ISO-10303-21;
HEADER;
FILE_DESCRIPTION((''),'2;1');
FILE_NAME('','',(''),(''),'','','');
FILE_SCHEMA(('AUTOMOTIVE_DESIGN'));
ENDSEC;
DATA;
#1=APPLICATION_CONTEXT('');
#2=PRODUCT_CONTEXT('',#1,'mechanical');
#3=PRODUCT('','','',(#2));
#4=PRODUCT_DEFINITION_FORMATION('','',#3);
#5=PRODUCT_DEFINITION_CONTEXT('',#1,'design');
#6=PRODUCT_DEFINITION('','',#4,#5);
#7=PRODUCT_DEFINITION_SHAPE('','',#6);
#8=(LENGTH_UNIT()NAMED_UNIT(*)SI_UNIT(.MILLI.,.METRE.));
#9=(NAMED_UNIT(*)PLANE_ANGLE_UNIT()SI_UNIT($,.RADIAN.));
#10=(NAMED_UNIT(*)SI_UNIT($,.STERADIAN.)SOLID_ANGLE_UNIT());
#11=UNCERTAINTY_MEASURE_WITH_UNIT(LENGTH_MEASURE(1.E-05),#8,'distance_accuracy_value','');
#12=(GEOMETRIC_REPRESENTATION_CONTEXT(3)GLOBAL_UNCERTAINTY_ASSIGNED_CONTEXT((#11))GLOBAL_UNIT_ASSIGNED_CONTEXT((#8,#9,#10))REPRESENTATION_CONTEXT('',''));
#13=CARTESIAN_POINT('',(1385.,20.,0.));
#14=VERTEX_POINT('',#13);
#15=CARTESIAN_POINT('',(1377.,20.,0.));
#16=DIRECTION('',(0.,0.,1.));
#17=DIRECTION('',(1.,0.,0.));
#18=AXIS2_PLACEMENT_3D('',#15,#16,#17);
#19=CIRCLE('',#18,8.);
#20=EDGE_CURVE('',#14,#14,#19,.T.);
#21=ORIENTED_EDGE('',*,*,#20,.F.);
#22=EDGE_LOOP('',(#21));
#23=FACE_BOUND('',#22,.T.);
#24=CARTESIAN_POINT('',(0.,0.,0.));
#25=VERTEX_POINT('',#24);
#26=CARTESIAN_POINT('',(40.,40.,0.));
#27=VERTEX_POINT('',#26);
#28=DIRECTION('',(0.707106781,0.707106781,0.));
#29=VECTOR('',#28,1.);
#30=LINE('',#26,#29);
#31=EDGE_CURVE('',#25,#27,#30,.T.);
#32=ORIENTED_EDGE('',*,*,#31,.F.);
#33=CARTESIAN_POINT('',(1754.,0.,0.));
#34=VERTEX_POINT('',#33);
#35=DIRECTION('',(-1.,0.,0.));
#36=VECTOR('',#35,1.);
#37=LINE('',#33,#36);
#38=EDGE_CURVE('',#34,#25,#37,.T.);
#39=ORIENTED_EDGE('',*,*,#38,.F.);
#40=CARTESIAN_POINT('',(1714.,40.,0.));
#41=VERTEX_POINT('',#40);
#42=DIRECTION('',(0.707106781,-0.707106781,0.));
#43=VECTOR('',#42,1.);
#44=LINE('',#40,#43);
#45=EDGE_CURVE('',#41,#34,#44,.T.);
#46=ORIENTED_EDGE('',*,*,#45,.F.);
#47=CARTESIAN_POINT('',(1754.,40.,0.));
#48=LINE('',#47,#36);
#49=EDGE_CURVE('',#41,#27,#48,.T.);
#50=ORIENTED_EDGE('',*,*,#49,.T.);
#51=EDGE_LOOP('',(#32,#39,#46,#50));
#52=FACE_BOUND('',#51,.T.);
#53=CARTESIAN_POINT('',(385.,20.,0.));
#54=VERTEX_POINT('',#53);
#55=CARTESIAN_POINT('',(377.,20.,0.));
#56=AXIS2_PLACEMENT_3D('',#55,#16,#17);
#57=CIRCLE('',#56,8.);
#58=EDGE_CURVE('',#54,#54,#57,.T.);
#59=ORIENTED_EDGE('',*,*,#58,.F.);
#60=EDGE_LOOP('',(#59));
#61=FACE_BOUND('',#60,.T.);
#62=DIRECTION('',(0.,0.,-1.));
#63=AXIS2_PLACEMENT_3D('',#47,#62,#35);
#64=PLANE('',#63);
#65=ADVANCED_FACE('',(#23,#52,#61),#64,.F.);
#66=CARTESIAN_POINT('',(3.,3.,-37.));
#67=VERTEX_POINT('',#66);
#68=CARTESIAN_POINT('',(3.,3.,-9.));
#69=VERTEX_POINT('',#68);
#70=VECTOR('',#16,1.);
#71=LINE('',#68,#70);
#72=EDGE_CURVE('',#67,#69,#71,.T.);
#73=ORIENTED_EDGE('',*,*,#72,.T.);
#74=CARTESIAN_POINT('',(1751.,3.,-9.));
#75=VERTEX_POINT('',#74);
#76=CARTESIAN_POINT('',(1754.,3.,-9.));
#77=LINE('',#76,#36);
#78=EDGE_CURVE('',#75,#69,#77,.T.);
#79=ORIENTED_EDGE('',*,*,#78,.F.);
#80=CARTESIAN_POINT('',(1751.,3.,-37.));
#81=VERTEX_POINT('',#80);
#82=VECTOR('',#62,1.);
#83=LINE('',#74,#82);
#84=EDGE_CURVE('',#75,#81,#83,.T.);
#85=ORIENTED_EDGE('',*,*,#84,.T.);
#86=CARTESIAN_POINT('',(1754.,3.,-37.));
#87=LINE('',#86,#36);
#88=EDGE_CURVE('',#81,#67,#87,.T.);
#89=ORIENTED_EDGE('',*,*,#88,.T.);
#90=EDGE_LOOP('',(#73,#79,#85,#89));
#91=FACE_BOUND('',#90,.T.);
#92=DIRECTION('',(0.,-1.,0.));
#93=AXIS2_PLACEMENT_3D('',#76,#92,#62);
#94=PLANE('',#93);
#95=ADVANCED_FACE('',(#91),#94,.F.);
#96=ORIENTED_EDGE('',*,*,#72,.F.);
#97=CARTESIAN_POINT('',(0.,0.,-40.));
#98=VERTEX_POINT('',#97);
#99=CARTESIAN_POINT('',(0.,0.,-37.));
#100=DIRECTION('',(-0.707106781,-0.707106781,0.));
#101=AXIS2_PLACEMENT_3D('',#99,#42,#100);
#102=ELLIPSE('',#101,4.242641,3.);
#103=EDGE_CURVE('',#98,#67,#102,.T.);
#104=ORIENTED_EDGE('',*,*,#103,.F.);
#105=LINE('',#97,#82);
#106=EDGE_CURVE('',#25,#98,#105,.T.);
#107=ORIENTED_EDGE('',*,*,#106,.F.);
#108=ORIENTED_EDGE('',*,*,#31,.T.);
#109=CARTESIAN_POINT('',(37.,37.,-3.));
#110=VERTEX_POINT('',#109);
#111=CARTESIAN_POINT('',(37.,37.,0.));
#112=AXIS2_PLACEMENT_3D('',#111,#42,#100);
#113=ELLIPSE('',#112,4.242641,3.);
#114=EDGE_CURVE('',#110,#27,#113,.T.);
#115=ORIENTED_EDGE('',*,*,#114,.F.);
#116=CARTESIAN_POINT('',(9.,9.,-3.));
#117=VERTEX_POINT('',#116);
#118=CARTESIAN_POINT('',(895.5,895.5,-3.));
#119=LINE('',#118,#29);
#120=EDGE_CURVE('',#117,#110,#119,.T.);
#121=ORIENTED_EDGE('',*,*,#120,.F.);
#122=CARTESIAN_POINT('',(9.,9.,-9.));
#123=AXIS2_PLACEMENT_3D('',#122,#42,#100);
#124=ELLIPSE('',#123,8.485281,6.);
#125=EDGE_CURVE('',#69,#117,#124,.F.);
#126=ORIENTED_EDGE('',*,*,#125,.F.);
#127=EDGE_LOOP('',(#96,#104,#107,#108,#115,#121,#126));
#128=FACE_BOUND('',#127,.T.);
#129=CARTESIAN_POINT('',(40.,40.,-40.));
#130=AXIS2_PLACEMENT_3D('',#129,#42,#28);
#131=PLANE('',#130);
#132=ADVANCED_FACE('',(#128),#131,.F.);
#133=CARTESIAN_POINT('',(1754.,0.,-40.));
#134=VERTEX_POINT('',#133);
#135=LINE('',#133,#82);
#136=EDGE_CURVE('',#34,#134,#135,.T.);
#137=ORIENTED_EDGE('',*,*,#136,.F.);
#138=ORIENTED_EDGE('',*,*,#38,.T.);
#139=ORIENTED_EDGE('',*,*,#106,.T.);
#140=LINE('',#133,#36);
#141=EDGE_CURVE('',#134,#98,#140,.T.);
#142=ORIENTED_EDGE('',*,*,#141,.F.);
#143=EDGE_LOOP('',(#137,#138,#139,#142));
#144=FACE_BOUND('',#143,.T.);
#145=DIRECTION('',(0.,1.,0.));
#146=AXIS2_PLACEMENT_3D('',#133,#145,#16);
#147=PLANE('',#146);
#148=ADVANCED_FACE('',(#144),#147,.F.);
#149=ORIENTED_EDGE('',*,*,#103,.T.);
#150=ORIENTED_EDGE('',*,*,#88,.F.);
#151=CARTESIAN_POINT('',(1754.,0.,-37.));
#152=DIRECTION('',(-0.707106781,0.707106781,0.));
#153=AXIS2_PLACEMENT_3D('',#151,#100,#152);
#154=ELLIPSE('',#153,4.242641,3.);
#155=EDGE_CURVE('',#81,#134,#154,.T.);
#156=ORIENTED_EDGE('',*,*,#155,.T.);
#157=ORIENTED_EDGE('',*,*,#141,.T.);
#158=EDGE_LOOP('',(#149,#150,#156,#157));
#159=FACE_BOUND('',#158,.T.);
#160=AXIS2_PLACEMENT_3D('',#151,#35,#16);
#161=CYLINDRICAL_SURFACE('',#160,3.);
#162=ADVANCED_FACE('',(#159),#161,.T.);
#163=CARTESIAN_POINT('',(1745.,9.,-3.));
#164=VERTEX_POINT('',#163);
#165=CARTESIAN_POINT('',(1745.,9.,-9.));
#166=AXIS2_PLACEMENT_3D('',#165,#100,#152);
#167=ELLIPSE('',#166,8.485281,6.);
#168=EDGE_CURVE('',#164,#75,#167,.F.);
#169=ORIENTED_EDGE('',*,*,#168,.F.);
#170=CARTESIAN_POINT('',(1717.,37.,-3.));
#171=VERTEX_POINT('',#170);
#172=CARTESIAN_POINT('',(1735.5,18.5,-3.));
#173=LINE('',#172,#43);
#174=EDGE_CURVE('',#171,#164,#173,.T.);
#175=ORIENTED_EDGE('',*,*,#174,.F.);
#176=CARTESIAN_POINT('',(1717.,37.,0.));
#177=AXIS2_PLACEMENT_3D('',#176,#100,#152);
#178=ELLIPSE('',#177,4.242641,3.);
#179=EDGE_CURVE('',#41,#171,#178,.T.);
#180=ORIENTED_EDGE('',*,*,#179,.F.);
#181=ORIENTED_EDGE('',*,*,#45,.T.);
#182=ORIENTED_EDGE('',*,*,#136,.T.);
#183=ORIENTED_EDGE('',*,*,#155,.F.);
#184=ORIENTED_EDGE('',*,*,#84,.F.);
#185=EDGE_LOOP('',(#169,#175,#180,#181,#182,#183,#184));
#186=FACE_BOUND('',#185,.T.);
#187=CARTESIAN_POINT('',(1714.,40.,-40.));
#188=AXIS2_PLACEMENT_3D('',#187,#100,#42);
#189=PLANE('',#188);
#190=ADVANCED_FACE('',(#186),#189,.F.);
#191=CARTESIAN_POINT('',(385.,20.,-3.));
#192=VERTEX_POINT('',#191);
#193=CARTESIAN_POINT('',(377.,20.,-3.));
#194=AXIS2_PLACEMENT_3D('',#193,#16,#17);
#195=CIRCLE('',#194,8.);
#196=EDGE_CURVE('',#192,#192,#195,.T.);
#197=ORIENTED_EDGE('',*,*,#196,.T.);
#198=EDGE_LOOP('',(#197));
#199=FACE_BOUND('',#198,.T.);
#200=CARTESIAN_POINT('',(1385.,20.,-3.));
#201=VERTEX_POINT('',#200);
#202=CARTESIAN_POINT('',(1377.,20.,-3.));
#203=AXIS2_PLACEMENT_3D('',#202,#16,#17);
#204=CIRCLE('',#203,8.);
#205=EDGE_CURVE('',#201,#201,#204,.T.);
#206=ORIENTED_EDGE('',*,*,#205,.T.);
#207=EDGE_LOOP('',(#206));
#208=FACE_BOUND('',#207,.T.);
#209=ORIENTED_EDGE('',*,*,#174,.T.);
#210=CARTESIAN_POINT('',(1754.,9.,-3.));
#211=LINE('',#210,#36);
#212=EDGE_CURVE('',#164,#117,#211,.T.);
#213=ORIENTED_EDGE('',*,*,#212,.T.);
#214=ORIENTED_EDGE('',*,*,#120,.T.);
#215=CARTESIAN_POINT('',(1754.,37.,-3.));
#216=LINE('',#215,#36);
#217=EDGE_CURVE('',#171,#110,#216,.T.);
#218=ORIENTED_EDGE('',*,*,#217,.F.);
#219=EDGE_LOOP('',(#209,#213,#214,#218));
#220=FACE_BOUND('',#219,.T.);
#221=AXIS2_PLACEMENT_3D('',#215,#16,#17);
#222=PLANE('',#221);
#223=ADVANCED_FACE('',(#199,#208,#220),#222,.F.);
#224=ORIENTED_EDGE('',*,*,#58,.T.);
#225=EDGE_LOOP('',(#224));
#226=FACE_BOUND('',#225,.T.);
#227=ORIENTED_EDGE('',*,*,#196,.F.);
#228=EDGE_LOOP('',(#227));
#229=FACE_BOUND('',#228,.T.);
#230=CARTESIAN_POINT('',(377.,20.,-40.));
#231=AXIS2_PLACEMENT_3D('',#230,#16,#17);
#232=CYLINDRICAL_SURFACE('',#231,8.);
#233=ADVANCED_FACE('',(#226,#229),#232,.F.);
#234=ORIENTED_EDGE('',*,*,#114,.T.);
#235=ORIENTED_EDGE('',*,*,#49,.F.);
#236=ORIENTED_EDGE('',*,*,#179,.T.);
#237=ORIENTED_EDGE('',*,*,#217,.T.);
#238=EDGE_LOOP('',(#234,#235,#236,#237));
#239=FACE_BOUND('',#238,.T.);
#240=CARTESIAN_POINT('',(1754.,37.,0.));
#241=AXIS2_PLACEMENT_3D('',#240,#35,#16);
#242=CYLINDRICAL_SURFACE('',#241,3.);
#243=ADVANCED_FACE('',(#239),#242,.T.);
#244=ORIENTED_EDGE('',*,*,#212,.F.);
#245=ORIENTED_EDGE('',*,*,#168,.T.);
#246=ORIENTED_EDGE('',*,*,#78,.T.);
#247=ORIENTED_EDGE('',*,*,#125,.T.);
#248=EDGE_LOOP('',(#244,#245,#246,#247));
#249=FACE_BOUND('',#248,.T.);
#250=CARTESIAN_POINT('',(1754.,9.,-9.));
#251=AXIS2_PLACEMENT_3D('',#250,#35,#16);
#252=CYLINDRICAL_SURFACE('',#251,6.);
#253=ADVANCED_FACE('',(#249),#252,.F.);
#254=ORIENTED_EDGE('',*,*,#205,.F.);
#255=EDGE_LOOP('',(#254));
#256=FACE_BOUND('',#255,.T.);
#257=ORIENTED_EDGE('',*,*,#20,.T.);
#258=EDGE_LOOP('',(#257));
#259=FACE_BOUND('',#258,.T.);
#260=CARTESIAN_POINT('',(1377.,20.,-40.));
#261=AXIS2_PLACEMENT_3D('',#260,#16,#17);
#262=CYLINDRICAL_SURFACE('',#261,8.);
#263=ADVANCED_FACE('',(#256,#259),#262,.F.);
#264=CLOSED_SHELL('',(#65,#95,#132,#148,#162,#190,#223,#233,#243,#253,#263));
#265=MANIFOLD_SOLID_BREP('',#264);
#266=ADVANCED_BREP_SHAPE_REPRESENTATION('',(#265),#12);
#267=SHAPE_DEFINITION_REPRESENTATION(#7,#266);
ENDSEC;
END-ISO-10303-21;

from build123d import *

# Parameters (mm, degrees)
L_ANGLE_EQUAL_40X40X3_6_DEPTH = 1754
SKETCH14_R                    = 8
CUT_EXTRUDE1_DEPTH            = 1755.911963604


with BuildPart() as part:
    # Sketch13 → L angle (equal) 40X40X3(6) (new body)
    with BuildSketch(Plane(origin=(0, 0, 0), x_dir=(0, 0, -1), z_dir=(1, 0, 0))):
        with BuildLine():
            Line((0, 40), (0, 0))
            Line((0, 0), (40, 0))
            ThreePointArc((40, 0), (39.121320344, 2.121320344), (37, 3))
            Line((37, 3), (9, 3))
            ThreePointArc((9, 3), (4.757359313, 4.757359313), (3, 9))
            Line((3, 9), (3, 37))
            ThreePointArc((3, 37), (2.121320344, 39.121320344), (0, 40))
        make_face()
    extrude(amount=L_ANGLE_EQUAL_40X40X3_6_DEPTH)

    # Sketch14 → Cut-Extrude1 (cut, through all)
    with BuildSketch(Plane.XY):
        with Locations((377, 20)):
            Circle(SKETCH14_R)
        with Locations((1377, 20)):
            Circle(SKETCH14_R)
        Polygon((1754, 0), (1754, 40), (1714, 40), align=None)
        Polygon((0, 40), (0, 0), (40, 40), align=None)
    extrude(amount=-CUT_EXTRUDE1_DEPTH, mode=Mode.SUBTRACT)


solid = part.part
